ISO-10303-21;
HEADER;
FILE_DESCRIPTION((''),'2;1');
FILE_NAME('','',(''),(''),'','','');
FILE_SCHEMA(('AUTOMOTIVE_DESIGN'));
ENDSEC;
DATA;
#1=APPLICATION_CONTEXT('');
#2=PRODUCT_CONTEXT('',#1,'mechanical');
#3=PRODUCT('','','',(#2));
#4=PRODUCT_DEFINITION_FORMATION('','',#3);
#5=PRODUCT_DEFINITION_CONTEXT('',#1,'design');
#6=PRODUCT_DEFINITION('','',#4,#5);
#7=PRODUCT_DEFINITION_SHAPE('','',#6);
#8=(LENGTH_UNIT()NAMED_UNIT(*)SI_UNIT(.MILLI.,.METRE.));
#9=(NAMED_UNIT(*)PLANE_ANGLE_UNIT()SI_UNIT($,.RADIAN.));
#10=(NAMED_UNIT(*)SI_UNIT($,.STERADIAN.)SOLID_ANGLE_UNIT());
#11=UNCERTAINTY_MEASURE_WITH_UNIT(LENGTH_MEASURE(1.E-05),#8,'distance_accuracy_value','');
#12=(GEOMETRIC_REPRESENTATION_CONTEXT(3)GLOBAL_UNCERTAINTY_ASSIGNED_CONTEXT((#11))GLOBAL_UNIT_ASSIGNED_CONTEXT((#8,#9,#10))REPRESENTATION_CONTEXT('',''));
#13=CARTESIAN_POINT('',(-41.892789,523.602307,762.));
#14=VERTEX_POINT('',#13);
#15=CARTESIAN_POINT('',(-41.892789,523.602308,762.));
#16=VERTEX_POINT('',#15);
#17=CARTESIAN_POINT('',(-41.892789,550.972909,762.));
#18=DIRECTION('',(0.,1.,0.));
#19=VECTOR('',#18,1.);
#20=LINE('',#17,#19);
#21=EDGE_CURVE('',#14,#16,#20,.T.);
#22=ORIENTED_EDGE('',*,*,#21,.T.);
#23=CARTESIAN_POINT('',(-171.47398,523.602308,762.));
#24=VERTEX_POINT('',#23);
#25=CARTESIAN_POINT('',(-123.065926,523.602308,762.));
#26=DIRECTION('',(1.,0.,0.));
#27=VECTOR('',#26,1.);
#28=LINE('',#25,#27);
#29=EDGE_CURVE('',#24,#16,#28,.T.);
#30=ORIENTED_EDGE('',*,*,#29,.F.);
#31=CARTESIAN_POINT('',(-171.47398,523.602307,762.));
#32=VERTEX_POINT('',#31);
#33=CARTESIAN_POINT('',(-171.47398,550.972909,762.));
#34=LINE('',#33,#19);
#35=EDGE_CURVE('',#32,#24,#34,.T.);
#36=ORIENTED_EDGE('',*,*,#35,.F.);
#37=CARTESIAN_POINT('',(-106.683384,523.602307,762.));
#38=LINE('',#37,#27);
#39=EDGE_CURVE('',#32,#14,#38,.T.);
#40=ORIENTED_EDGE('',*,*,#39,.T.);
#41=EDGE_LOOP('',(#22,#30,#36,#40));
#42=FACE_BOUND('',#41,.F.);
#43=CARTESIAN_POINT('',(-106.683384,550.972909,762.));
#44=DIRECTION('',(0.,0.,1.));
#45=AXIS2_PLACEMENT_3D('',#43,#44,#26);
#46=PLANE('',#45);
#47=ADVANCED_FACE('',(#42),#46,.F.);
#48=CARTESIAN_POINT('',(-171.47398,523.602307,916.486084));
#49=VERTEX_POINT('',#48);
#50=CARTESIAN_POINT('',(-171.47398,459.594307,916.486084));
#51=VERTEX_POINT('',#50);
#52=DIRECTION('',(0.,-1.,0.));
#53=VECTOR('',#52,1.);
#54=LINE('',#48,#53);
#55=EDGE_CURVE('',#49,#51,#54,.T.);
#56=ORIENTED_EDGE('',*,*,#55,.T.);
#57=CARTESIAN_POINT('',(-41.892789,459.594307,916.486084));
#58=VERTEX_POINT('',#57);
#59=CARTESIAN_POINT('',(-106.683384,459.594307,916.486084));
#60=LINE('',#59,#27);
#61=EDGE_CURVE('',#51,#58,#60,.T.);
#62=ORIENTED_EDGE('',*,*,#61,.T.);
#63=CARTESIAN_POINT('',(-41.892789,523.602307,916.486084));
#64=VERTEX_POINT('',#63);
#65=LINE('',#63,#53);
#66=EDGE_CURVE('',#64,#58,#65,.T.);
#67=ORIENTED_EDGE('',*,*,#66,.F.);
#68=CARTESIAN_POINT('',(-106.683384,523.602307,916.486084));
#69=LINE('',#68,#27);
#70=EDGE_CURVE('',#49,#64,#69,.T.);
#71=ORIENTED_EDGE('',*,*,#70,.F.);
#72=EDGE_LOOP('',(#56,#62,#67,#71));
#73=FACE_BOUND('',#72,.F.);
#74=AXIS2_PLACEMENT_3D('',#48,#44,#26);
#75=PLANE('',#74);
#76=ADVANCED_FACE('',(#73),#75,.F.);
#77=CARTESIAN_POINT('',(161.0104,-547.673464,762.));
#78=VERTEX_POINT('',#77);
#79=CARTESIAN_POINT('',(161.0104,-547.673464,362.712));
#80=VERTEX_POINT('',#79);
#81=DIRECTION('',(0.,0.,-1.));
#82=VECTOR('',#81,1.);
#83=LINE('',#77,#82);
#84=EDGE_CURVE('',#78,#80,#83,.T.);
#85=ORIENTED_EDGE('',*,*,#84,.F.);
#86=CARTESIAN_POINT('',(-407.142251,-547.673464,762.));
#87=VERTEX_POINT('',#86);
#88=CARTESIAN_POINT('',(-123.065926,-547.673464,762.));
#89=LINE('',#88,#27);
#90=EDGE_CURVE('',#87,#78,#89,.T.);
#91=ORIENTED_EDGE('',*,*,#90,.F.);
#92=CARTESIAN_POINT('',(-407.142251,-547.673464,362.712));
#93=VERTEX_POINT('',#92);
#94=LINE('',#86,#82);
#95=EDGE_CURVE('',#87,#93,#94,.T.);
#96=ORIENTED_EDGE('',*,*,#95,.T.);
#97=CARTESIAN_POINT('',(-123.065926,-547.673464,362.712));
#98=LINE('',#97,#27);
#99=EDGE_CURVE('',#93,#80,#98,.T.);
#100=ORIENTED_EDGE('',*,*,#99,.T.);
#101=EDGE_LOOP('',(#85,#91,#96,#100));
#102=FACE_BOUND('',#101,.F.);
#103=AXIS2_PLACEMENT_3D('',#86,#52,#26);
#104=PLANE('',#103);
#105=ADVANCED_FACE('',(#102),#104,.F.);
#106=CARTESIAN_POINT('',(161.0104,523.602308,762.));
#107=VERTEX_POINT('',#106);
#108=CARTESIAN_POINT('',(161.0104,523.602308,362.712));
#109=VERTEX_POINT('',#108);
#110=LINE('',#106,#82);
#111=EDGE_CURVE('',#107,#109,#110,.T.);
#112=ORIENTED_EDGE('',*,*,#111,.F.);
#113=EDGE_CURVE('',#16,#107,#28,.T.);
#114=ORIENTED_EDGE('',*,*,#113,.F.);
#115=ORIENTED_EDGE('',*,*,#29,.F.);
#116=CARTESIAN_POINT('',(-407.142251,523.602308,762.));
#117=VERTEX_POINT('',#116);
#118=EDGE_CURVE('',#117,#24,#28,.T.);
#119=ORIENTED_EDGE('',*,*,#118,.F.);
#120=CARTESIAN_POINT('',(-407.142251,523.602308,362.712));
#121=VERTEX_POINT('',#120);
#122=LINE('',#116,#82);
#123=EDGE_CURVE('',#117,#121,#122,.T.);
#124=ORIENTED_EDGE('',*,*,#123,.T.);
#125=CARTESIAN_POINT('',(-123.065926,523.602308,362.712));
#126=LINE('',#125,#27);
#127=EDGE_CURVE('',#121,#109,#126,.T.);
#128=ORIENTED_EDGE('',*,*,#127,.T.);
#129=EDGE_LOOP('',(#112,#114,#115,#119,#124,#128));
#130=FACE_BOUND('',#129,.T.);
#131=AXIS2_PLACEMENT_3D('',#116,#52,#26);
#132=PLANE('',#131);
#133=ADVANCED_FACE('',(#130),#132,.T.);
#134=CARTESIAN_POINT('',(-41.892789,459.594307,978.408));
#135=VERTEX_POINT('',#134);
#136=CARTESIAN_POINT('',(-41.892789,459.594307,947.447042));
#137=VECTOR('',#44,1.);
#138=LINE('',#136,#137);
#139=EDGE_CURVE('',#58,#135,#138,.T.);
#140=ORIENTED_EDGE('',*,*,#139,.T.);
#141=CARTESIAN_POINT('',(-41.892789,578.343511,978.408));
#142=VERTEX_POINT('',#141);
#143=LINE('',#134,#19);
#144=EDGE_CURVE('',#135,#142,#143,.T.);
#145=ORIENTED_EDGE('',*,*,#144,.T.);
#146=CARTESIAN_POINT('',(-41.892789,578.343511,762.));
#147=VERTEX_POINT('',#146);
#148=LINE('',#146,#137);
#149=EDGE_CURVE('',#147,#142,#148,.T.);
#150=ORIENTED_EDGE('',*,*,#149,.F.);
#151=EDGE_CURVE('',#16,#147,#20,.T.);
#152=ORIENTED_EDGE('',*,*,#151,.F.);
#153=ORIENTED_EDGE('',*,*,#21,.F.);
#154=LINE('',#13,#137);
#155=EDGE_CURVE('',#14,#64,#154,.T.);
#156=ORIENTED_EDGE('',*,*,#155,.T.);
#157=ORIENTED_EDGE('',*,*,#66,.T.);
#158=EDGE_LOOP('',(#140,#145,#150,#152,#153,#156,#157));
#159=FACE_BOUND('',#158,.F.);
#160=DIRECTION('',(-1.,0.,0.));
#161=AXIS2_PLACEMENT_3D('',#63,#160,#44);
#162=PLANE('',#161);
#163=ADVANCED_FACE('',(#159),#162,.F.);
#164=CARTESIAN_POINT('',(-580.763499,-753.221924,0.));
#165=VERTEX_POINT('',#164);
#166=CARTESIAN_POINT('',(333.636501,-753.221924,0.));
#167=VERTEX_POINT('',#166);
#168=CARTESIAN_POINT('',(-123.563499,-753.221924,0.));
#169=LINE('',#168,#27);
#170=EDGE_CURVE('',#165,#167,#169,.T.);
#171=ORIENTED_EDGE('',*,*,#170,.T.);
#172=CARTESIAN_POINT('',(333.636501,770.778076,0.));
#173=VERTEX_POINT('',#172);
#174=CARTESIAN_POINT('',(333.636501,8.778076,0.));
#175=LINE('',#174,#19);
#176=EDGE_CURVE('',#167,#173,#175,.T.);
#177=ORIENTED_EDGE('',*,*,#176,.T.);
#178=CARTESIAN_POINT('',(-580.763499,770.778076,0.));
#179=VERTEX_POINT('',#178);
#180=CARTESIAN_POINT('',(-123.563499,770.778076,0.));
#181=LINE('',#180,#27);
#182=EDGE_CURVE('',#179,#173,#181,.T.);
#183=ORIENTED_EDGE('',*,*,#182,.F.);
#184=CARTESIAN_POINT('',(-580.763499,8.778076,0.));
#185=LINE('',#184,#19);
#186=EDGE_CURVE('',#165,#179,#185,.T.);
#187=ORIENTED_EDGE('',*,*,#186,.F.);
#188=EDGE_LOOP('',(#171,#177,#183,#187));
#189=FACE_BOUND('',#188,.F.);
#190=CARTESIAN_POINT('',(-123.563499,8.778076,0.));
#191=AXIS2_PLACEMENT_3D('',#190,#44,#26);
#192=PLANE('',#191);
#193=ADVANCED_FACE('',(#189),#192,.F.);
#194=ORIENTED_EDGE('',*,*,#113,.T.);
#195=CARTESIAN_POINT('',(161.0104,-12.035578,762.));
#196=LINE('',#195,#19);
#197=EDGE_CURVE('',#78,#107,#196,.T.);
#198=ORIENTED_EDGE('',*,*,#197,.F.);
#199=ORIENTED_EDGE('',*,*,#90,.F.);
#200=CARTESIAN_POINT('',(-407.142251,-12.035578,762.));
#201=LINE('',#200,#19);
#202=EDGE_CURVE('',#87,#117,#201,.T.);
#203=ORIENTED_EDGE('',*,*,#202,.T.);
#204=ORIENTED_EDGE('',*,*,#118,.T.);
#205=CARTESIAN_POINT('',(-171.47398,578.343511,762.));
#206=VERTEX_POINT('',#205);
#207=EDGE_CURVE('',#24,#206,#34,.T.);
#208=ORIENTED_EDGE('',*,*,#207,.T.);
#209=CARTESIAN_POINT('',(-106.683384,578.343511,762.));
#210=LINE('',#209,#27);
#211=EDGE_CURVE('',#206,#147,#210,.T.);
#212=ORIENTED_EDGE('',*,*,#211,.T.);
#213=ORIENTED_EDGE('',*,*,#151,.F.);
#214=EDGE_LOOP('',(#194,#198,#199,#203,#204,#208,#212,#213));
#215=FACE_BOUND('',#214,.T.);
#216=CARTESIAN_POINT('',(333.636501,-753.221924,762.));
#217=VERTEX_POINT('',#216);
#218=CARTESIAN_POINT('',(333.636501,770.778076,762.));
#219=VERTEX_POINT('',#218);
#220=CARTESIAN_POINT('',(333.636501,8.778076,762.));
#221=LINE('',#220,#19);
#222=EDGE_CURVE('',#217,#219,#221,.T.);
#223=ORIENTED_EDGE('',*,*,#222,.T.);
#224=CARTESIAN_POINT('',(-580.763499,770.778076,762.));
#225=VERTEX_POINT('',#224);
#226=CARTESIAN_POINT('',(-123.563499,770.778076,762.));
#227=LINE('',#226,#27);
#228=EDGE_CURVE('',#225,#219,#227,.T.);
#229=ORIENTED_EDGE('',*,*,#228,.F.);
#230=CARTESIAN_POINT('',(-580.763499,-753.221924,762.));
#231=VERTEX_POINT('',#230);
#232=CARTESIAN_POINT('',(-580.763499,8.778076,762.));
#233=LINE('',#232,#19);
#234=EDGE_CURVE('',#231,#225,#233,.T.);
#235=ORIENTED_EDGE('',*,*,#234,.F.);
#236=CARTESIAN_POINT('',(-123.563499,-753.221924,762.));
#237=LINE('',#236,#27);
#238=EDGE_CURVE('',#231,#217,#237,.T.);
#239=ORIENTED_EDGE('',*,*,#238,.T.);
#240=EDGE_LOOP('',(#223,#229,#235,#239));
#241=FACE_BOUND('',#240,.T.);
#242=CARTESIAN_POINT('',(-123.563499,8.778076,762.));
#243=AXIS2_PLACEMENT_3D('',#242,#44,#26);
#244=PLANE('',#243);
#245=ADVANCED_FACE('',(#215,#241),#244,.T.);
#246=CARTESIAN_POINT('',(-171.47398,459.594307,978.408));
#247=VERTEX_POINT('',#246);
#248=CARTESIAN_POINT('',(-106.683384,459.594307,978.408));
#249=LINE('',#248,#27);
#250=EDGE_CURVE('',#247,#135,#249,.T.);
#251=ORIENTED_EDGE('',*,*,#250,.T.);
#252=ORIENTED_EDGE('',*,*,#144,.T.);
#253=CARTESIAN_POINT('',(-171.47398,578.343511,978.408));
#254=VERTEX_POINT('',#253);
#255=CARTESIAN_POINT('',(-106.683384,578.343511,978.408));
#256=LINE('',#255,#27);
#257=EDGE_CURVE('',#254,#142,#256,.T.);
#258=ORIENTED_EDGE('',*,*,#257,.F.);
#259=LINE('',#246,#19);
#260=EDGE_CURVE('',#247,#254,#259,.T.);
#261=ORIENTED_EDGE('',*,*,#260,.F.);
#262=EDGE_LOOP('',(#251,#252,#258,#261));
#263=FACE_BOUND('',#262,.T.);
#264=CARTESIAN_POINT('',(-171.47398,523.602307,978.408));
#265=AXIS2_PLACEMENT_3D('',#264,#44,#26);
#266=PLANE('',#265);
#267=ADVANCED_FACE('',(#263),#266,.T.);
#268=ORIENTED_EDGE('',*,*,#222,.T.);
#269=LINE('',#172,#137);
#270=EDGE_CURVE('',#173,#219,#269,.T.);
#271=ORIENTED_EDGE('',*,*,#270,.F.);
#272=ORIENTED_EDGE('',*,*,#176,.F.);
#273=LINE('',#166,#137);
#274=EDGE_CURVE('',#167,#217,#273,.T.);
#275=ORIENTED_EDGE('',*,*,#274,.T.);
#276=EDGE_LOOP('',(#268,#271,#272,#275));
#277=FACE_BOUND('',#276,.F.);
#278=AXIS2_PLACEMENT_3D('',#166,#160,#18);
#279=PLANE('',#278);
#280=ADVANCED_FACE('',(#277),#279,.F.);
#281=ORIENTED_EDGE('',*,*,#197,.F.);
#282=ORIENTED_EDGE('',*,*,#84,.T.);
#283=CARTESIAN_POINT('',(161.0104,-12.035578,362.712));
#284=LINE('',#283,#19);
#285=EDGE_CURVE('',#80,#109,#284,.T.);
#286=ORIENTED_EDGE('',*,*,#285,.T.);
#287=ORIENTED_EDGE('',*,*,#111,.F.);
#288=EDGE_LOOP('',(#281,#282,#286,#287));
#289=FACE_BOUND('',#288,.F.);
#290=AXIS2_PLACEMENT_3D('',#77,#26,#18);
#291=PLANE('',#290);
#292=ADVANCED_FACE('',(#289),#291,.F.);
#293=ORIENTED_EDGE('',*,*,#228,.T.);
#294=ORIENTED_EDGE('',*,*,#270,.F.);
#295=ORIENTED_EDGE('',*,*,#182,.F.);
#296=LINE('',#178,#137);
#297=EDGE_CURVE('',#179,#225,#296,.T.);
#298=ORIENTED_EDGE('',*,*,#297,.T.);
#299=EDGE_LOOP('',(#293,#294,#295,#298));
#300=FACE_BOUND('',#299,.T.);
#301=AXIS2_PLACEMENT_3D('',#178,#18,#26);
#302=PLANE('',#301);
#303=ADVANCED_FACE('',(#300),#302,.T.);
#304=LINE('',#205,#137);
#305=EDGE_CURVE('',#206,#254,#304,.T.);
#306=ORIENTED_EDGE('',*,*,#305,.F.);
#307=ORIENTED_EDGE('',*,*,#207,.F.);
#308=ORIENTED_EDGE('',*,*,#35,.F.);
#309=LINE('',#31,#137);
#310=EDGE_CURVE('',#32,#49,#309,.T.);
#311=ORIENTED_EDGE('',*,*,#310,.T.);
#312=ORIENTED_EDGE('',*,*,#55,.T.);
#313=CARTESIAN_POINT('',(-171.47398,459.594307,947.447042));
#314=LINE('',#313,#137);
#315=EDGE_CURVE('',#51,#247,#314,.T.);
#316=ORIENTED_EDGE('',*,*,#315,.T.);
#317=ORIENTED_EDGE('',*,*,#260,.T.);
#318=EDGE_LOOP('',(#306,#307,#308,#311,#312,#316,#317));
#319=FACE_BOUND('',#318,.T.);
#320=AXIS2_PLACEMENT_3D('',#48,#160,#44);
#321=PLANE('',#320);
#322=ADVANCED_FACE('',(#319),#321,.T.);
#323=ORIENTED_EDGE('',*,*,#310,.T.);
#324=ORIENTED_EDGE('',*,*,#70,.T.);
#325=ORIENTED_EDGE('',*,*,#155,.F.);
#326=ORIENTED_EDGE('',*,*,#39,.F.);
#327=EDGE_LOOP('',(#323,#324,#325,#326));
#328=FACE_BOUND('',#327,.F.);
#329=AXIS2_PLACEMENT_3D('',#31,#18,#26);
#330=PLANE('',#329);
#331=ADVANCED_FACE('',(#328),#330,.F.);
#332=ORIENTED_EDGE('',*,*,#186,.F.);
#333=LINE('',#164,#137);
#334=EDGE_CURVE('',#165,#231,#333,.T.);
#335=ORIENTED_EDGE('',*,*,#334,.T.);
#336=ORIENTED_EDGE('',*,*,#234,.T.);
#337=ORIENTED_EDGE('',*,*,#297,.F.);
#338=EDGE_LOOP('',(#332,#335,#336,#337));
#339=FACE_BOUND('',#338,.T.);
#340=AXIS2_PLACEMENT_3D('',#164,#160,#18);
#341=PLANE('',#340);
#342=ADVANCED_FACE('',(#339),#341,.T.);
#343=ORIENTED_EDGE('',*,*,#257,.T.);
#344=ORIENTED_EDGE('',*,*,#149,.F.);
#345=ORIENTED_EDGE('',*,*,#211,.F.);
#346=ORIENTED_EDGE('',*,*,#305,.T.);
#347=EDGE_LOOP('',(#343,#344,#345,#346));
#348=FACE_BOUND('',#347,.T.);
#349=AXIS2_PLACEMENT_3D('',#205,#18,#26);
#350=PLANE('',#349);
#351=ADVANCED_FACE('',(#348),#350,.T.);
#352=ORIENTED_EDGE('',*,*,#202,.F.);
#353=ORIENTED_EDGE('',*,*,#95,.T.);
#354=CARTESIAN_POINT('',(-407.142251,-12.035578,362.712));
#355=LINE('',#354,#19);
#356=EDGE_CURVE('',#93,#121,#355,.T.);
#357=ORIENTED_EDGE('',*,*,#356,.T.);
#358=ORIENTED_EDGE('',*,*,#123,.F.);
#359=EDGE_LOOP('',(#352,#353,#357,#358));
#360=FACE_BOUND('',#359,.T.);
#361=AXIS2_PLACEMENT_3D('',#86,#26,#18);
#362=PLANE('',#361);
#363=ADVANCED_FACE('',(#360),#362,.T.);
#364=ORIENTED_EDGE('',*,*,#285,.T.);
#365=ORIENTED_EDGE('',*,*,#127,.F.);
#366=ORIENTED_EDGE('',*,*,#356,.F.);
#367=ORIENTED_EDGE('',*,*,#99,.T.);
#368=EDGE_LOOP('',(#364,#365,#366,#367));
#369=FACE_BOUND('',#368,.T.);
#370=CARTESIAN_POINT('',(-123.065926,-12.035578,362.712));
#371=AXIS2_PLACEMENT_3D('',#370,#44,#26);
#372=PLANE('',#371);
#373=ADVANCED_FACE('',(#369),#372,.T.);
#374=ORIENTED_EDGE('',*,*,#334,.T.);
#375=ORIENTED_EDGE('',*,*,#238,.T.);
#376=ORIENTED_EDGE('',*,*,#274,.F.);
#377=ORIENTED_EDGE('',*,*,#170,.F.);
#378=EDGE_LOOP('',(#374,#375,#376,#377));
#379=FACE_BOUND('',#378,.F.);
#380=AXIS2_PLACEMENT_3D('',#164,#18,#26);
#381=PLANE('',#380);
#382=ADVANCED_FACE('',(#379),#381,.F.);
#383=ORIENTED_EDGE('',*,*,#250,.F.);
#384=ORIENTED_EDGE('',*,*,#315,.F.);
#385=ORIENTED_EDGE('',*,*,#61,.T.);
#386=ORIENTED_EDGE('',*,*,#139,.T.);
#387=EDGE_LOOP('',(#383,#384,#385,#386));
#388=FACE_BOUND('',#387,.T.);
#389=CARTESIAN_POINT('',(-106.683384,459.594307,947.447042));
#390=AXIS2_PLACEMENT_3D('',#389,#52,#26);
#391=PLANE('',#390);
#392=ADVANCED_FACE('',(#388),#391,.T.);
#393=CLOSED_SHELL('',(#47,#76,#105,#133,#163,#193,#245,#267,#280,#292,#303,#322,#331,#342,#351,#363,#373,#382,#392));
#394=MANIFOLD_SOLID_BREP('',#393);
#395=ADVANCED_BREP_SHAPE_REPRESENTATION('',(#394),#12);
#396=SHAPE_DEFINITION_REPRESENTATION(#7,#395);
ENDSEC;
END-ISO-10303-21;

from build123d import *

# Parameters (mm, degrees)
F0_W     = 914.4
F0_H     = 1524
F1_DEPTH = 762
F2_W     = 568.152651
F2_H     = 1071.275771
F3_DEPTH = 399.288
F4_W     = 129.581191
F4_H     = 54.741204
F5_DEPTH = 216.408
F6_W     = 129.581191
F6_H     = 61.921916
F7_DEPTH = 64.008


with BuildPart() as f1:
    # F0 (on Top) → F1 (new body)
    with BuildSketch(Plane.XY):
        with Locations((-123.563499, 8.778076)):
            Rectangle(F0_W, F0_H)
    extrude(amount=F1_DEPTH)

    # F2 (on face) → F3 (cut)
    with BuildSketch(Plane.XY.offset(762)):
        with Locations((-123.065926, -12.035578)):
            Rectangle(F2_W, F2_H)
    extrude(amount=-F3_DEPTH, mode=Mode.SUBTRACT)

    # F4 (on face) → F5 (join)
    with BuildSketch(Plane.XY.offset(762)):
        with Locations((-106.683384, 550.972909)):
            Rectangle(F4_W, F4_H)
    extrude(amount=F5_DEPTH)

    # F6 (on face) → F7 (join)
    with BuildSketch(Plane.XZ.offset(-523.602307)):
        with Locations((-106.683384, 947.447042)):
            Rectangle(F6_W, F6_H)
    extrude(amount=F7_DEPTH)


solid = f1.part
